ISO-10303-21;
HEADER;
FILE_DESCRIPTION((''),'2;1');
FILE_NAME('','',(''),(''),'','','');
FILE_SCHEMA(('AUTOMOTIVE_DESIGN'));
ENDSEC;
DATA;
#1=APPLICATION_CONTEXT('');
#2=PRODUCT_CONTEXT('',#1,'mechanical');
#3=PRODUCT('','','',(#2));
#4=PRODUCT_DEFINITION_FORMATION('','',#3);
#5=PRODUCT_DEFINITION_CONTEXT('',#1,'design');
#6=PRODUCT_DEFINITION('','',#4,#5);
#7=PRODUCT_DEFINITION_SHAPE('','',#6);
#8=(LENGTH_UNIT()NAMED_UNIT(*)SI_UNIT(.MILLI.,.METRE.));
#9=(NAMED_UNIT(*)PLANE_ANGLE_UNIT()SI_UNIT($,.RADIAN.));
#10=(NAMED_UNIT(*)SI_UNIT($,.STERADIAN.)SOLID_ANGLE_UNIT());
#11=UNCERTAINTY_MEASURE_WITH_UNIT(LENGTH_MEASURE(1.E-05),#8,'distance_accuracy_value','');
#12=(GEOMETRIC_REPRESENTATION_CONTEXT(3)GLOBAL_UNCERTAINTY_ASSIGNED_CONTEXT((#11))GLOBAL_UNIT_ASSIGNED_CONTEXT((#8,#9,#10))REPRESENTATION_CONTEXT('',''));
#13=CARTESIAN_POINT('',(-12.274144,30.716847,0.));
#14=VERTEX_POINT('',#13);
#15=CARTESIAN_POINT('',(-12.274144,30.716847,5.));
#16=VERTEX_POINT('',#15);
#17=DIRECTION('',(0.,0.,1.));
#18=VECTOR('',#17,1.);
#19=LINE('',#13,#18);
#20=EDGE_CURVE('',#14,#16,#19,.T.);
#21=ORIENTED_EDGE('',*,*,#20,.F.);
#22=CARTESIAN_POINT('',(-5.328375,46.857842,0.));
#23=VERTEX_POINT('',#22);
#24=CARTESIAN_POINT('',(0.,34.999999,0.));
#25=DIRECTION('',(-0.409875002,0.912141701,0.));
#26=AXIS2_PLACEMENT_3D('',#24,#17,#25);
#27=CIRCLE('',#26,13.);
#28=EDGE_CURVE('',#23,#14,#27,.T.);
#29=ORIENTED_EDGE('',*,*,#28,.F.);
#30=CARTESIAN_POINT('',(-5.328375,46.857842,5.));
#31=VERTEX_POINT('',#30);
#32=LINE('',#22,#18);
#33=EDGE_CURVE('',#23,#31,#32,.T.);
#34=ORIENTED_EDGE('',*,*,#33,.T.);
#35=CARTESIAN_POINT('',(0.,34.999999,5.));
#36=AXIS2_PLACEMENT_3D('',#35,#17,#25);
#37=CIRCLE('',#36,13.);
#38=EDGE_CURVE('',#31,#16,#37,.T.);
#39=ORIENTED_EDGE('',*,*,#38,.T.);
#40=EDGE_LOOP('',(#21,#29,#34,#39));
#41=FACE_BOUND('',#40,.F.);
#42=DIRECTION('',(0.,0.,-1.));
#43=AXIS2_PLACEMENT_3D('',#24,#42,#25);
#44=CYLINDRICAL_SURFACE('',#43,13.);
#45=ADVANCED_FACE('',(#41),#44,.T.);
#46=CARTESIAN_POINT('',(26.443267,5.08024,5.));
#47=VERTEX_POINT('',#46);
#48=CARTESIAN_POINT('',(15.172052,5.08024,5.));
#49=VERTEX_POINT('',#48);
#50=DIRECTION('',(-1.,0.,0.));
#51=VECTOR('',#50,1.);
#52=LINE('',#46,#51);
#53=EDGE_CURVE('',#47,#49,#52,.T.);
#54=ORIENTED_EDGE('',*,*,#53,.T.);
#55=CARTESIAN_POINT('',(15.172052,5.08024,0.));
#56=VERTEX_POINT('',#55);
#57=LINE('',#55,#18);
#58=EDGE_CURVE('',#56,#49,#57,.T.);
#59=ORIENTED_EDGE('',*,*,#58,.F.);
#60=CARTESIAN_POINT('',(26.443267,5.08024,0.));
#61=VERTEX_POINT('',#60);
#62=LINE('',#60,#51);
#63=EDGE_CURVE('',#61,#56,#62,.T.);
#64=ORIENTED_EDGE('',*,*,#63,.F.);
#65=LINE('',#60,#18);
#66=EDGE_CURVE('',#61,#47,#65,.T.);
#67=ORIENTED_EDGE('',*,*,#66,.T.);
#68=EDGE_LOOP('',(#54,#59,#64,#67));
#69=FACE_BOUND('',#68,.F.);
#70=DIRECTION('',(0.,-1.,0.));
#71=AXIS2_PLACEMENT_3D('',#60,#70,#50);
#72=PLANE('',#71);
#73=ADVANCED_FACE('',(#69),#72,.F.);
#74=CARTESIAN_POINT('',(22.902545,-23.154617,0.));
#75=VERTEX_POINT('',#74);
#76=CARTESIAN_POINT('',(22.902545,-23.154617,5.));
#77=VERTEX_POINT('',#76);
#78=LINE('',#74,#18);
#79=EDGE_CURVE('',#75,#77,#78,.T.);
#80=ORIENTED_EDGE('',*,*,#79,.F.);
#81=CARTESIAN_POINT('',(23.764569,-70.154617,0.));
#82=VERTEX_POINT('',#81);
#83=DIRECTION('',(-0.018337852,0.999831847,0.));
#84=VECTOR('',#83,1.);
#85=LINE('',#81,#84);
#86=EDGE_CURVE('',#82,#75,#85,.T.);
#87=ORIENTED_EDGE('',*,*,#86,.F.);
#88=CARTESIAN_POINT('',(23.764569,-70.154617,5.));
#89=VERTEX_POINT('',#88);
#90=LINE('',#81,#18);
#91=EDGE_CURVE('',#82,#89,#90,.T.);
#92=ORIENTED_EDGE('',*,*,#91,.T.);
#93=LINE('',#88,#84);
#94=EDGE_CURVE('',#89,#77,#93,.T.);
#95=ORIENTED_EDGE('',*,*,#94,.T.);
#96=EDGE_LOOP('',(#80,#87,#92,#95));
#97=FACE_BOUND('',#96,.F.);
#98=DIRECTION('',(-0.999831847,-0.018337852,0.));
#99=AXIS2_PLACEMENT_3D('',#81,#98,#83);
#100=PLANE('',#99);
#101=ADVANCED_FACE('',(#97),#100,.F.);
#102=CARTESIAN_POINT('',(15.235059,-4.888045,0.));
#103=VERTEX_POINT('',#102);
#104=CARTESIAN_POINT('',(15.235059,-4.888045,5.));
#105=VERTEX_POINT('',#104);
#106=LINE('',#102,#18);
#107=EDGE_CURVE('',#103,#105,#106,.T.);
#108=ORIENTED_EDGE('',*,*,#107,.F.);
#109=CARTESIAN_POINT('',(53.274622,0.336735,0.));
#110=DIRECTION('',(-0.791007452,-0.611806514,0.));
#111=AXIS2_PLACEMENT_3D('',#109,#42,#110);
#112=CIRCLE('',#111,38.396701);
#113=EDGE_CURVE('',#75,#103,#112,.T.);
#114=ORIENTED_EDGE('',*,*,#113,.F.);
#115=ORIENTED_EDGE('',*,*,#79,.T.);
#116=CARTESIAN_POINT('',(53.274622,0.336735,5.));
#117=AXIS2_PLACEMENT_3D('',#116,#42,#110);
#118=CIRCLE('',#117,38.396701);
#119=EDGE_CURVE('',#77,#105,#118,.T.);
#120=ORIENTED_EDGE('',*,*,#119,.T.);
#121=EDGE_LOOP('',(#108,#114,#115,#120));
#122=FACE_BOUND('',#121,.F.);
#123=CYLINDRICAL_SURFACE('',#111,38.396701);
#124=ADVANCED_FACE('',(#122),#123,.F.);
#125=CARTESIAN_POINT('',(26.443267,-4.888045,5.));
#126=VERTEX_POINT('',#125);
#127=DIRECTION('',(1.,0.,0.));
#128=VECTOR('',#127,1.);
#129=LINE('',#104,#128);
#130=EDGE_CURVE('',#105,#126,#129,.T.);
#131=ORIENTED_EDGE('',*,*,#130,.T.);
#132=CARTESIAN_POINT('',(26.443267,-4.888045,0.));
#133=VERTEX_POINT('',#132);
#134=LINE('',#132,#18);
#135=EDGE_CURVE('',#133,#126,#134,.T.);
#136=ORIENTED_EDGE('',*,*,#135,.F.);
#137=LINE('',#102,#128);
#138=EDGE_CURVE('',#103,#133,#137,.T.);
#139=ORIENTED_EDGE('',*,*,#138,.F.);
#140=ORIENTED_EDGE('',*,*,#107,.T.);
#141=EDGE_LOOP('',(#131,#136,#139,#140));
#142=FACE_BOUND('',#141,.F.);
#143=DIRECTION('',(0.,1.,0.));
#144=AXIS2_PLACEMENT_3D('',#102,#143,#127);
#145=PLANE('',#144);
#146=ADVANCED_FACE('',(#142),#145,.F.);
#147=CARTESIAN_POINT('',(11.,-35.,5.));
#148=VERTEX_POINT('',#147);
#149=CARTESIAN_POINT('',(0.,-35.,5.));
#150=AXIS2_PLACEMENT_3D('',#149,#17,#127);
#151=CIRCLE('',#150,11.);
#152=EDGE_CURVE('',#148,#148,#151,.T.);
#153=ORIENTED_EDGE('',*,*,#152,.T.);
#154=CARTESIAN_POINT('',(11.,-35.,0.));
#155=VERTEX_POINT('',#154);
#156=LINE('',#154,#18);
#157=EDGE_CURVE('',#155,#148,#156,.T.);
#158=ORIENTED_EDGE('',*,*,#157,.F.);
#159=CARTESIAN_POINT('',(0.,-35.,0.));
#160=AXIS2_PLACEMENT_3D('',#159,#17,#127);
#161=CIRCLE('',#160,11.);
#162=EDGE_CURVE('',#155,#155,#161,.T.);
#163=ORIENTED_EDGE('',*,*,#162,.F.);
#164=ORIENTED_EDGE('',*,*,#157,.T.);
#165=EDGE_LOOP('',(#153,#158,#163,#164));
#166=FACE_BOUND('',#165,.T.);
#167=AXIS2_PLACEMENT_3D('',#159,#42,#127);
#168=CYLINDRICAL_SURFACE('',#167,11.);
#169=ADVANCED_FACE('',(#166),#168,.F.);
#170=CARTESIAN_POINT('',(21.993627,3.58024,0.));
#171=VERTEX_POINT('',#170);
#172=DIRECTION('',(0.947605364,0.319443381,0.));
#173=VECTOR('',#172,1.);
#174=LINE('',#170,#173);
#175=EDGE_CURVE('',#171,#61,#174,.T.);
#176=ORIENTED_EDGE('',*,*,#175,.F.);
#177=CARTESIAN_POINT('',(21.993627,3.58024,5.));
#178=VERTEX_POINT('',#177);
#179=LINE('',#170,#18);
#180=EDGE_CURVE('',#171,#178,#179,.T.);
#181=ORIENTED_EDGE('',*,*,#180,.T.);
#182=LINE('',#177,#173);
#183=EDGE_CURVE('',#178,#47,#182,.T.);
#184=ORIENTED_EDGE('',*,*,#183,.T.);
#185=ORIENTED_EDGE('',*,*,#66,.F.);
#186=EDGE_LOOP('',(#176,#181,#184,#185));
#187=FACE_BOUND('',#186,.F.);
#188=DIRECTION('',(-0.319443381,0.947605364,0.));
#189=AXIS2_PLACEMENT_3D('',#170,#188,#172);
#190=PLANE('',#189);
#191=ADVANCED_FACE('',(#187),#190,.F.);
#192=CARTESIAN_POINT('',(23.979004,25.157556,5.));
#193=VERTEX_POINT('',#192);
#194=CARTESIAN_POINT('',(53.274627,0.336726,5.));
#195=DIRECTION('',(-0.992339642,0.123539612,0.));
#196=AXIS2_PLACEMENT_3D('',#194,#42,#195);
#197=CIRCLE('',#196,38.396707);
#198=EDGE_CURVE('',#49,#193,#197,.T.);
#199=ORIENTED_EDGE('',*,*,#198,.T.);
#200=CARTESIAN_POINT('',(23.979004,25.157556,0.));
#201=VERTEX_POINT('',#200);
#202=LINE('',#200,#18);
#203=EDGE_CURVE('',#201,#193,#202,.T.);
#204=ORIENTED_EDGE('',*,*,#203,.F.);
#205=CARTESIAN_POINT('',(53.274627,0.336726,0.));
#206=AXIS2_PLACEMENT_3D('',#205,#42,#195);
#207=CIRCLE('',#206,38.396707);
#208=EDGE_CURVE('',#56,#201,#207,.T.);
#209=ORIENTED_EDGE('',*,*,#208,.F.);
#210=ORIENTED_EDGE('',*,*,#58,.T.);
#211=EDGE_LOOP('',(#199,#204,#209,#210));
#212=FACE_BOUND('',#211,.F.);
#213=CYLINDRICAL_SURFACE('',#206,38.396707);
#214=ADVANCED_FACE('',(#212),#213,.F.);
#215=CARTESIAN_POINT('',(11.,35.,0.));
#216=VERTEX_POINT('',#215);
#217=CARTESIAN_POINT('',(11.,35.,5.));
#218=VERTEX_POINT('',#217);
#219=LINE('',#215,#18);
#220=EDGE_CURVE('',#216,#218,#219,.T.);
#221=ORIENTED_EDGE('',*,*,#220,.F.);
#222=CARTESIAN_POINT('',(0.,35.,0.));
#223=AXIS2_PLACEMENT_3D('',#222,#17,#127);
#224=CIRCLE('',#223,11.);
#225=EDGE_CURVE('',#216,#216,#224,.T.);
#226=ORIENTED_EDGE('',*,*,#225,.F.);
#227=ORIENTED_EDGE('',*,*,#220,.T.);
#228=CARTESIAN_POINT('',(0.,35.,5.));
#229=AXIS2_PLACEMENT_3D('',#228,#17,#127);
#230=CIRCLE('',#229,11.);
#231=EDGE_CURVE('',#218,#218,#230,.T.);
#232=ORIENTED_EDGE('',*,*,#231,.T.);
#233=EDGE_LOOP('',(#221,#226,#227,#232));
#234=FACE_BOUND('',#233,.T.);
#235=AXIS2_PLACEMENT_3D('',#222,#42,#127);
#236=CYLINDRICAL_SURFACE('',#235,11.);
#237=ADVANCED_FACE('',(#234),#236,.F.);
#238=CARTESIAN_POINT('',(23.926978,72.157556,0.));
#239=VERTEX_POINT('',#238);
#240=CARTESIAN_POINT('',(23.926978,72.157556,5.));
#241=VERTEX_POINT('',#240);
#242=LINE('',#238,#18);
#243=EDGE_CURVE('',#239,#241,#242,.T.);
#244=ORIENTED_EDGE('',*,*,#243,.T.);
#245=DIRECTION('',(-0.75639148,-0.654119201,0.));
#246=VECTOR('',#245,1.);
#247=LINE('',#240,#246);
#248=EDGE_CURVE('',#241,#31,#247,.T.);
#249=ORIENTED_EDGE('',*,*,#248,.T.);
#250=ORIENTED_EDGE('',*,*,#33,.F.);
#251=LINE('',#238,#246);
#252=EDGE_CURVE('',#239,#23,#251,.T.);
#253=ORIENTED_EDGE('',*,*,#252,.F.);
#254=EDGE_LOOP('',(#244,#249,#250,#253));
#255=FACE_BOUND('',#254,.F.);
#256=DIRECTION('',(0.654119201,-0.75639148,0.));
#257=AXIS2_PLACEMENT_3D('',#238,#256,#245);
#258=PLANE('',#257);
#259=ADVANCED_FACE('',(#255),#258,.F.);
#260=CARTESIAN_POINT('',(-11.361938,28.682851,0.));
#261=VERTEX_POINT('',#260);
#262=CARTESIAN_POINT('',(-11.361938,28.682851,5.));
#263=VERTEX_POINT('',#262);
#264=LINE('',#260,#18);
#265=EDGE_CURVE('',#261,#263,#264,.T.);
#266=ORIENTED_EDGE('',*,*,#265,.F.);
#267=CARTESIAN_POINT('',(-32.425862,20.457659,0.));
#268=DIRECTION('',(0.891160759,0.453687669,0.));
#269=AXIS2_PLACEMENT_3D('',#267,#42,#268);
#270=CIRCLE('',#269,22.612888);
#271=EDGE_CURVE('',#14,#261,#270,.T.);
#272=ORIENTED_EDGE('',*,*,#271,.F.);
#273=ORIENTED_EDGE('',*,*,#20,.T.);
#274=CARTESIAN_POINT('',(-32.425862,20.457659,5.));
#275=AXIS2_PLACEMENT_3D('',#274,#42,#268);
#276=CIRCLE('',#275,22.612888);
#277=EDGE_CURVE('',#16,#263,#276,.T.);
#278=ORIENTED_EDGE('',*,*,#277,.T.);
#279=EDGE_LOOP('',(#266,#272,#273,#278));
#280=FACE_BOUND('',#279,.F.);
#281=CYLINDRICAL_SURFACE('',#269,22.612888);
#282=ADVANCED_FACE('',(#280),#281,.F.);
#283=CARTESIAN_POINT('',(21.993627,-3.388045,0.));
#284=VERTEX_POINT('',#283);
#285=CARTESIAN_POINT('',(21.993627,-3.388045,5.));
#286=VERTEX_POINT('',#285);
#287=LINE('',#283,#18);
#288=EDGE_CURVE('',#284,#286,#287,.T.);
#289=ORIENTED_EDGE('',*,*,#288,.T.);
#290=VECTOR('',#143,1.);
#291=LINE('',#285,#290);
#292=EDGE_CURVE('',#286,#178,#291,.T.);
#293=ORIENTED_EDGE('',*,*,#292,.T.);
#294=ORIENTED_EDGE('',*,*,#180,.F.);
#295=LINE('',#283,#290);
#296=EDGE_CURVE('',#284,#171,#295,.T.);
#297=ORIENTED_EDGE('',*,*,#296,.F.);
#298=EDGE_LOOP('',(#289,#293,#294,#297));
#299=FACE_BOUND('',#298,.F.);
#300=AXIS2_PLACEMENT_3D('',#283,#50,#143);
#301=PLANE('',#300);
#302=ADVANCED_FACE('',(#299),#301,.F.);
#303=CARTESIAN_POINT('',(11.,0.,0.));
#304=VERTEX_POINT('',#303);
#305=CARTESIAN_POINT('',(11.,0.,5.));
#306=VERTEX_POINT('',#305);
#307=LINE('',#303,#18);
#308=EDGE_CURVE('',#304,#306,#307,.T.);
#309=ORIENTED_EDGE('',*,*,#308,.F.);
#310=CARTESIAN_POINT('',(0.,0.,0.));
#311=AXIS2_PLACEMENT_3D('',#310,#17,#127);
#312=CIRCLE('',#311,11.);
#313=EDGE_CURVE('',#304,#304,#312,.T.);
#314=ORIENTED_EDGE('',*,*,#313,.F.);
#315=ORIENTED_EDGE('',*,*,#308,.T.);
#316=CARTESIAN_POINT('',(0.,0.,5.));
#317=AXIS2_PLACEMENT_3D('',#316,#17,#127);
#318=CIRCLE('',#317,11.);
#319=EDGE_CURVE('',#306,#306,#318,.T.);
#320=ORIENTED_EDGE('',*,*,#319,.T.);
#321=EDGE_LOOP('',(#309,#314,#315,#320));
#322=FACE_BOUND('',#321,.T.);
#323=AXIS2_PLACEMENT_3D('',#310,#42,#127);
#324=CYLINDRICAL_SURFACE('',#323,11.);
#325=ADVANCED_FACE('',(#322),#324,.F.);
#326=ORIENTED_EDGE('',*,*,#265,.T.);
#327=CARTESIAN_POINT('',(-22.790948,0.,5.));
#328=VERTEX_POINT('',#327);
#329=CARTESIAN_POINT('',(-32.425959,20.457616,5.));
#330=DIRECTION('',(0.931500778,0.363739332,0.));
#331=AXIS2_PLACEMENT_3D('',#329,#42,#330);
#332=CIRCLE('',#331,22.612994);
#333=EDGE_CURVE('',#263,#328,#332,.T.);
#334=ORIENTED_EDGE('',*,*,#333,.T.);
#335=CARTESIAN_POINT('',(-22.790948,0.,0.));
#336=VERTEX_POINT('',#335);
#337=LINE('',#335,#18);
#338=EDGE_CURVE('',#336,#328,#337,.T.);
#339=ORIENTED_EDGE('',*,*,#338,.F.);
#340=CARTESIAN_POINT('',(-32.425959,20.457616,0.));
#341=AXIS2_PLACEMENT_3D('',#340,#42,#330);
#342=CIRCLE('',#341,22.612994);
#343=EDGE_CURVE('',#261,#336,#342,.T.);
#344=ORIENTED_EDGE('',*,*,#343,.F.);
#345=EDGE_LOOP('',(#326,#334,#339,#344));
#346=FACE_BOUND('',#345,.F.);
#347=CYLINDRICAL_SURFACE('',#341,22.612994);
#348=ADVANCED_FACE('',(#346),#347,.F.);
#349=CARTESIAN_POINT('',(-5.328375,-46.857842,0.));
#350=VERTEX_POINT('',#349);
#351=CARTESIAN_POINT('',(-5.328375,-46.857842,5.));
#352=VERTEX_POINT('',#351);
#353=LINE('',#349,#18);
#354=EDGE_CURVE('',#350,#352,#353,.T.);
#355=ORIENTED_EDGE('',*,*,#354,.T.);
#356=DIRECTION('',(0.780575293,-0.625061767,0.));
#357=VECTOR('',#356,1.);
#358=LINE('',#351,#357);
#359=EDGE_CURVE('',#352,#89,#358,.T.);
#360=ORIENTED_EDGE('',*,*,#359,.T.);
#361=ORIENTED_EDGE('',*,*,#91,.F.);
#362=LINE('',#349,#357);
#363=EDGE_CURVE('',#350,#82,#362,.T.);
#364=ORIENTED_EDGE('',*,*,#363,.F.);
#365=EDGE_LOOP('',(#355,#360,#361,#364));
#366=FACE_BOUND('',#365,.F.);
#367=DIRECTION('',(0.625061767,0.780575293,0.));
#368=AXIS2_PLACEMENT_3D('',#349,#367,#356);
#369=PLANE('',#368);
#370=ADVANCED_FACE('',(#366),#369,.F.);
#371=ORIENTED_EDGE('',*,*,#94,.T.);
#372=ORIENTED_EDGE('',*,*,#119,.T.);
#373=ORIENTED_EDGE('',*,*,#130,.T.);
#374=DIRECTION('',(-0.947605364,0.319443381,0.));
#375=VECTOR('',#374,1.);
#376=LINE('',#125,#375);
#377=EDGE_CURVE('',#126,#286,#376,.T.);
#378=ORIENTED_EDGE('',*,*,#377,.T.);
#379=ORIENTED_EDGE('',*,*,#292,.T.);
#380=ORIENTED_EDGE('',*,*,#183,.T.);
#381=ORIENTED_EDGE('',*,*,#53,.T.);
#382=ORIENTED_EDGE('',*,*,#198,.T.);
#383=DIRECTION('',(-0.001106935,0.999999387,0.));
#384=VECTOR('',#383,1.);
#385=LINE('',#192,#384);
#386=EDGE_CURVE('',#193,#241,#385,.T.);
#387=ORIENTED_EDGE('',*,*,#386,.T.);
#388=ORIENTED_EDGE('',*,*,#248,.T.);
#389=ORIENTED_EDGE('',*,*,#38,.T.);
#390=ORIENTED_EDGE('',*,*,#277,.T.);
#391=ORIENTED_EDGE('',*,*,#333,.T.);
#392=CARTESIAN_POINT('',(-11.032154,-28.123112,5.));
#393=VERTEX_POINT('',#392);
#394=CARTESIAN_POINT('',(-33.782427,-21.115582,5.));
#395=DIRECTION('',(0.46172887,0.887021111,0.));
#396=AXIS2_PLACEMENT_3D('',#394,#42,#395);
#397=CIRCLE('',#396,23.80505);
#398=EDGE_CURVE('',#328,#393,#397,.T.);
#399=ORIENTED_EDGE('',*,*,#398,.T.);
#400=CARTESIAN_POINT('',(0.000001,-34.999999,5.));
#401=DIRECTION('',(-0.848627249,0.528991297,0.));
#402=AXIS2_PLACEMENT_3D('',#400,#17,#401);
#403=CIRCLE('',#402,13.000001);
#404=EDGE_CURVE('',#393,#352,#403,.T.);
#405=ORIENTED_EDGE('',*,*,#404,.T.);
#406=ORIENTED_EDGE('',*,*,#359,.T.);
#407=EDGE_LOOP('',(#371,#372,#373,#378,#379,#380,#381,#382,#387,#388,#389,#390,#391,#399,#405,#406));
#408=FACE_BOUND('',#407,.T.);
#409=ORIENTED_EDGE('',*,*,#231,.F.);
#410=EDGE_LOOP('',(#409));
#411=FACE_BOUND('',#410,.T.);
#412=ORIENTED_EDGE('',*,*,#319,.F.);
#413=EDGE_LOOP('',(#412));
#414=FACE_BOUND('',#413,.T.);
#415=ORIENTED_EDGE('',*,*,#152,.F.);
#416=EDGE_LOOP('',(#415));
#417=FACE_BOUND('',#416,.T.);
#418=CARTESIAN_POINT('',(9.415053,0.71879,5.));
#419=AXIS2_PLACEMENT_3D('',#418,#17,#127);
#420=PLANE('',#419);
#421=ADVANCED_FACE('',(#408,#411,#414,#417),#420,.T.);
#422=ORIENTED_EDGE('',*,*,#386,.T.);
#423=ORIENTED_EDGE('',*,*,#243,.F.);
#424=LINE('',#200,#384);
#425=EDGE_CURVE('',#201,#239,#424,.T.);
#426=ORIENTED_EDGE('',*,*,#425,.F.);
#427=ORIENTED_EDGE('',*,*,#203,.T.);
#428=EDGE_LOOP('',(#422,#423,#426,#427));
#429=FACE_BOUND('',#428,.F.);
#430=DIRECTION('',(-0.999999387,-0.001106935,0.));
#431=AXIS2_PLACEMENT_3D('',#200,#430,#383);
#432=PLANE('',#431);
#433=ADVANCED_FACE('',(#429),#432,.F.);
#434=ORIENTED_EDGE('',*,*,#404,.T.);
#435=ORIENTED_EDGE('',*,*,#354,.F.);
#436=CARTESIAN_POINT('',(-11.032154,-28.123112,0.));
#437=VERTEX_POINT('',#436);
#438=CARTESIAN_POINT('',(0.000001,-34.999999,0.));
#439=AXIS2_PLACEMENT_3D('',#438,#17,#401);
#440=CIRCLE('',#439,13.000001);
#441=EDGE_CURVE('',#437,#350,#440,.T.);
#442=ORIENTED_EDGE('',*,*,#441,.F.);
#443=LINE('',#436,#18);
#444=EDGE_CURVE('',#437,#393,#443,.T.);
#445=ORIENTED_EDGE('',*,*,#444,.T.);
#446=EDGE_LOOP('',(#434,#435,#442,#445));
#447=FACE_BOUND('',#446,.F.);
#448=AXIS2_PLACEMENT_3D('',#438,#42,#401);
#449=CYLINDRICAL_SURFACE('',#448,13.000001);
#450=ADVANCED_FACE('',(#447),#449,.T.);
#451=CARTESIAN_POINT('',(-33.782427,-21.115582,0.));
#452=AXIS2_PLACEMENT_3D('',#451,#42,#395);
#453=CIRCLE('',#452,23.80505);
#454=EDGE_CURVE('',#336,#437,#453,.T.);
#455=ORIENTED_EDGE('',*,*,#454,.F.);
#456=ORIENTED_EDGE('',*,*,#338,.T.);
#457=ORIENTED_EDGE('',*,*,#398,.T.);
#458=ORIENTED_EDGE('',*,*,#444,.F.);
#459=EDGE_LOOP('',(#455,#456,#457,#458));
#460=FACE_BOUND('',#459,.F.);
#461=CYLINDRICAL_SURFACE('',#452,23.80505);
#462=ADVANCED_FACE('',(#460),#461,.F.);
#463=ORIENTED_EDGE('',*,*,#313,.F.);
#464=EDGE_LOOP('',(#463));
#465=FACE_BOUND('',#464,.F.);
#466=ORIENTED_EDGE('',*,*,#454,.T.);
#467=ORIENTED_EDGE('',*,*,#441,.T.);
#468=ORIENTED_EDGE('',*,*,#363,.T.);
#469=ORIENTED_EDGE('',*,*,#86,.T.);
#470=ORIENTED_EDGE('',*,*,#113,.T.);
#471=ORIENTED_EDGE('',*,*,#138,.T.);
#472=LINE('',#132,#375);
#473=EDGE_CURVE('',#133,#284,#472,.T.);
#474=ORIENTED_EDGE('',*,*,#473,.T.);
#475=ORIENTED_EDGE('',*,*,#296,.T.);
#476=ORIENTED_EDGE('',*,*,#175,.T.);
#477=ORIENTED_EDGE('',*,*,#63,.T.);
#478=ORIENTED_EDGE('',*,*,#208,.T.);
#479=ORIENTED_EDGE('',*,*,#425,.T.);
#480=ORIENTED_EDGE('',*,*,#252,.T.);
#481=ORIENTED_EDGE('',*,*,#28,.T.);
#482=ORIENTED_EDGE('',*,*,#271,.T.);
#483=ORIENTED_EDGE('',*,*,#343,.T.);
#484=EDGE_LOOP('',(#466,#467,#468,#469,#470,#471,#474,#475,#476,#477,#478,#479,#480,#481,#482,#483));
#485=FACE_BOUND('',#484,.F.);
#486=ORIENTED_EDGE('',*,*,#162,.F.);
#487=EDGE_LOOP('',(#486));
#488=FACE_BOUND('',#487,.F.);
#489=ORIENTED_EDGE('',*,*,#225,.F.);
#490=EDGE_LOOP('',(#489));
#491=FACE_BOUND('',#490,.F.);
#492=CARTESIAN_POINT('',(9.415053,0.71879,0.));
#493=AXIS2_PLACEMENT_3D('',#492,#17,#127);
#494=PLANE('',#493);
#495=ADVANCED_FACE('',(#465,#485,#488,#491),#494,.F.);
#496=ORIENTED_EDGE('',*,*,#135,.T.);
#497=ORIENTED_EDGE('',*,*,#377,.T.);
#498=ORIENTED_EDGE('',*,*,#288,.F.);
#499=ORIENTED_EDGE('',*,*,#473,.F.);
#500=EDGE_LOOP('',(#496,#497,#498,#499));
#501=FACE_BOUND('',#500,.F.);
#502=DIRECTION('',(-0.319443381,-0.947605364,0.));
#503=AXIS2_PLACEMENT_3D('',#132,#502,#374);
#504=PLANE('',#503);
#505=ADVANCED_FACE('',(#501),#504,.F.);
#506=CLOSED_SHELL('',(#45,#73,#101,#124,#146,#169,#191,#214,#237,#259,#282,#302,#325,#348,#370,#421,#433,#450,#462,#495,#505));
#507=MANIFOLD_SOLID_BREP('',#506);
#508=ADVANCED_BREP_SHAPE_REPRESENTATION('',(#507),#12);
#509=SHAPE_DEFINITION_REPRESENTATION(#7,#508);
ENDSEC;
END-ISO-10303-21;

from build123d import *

# Parameters (mm, degrees)
F0_R     = 11
F1_DEPTH = 5


with BuildPart() as f1:
    # F0 (on Top) → F1 (new body)
    with BuildSketch(Plane.XY):
        with BuildLine():
            ThreePointArc((-5.328375, 46.857842), (7.061555, 45.914872), (13, 35))
            ThreePointArc((13, 35), (3.263036, 22.416177), (-11.361938, 28.682851))
            ThreePointArc((-11.361938, 28.682851), (-11.419195, 12.087231), (-22.790948, 0))
            ThreePointArc((-22.790948, 0), (-11.819872, -11.932631), (-11.032154, -28.123112))
            ThreePointArc((-11.032154, -28.123112), (3.576451, -22.50164), (13, -35))
            ThreePointArc((13, -35), (7.061555, -45.914872), (-5.328375, -46.857842))
            Line((-5.328375, -46.857842), (23.764569, -70.154617))
            Line((23.764569, -70.154617), (22.902545, -23.154617))
            ThreePointArc((22.902545, -23.154617), (17.870455, -14.524343), (15.235059, -4.888045))
            Line((15.235059, -4.888045), (26.443267, -4.888045))
            Line((26.443267, -4.888045), (21.993627, -3.388045))
            Line((21.993627, -3.388045), (21.993627, 3.58024))
            Line((21.993627, 3.58024), (26.443267, 5.08024))
            Line((26.443267, 5.08024), (15.172052, 5.08024))
            ThreePointArc((15.172052, 5.08024), (18.112091, 15.760837), (23.979004, 25.157556))
            Line((23.979004, 25.157556), (23.926978, 72.157556))
            Line((23.926978, 72.157556), (-5.328375, 46.857842))
        make_face()
        Circle(F0_R, mode=Mode.SUBTRACT)
        with BuildLine():
            ThreePointArc((-11.361938, 28.682851), (3.263036, 22.416177), (13, 35))
            ThreePointArc((13, 35), (7.061555, 45.914872), (-5.328375, 46.857842))
            ThreePointArc((-5.328375, 46.857842), (-11.941319, 40.13857), (-12.274144, 30.716847))
            ThreePointArc((-12.274144, 30.716847), (-11.792962, 29.711097), (-11.361938, 28.682851))
        make_face()
        with Locations((0, 35)):
            Circle(F0_R, mode=Mode.SUBTRACT)
        with BuildLine():
            ThreePointArc((13, -35), (3.576451, -22.50164), (-11.032154, -28.123112))
            ThreePointArc((-11.032154, -28.123112), (-12.436408, -38.786258), (-5.328375, -46.857842))
            ThreePointArc((-5.328375, -46.857842), (7.061555, -45.914872), (13, -35))
        make_face()
        with Locations((0, -35)):
            Circle(F0_R, mode=Mode.SUBTRACT)
    extrude(amount=F1_DEPTH)


solid = f1.part
